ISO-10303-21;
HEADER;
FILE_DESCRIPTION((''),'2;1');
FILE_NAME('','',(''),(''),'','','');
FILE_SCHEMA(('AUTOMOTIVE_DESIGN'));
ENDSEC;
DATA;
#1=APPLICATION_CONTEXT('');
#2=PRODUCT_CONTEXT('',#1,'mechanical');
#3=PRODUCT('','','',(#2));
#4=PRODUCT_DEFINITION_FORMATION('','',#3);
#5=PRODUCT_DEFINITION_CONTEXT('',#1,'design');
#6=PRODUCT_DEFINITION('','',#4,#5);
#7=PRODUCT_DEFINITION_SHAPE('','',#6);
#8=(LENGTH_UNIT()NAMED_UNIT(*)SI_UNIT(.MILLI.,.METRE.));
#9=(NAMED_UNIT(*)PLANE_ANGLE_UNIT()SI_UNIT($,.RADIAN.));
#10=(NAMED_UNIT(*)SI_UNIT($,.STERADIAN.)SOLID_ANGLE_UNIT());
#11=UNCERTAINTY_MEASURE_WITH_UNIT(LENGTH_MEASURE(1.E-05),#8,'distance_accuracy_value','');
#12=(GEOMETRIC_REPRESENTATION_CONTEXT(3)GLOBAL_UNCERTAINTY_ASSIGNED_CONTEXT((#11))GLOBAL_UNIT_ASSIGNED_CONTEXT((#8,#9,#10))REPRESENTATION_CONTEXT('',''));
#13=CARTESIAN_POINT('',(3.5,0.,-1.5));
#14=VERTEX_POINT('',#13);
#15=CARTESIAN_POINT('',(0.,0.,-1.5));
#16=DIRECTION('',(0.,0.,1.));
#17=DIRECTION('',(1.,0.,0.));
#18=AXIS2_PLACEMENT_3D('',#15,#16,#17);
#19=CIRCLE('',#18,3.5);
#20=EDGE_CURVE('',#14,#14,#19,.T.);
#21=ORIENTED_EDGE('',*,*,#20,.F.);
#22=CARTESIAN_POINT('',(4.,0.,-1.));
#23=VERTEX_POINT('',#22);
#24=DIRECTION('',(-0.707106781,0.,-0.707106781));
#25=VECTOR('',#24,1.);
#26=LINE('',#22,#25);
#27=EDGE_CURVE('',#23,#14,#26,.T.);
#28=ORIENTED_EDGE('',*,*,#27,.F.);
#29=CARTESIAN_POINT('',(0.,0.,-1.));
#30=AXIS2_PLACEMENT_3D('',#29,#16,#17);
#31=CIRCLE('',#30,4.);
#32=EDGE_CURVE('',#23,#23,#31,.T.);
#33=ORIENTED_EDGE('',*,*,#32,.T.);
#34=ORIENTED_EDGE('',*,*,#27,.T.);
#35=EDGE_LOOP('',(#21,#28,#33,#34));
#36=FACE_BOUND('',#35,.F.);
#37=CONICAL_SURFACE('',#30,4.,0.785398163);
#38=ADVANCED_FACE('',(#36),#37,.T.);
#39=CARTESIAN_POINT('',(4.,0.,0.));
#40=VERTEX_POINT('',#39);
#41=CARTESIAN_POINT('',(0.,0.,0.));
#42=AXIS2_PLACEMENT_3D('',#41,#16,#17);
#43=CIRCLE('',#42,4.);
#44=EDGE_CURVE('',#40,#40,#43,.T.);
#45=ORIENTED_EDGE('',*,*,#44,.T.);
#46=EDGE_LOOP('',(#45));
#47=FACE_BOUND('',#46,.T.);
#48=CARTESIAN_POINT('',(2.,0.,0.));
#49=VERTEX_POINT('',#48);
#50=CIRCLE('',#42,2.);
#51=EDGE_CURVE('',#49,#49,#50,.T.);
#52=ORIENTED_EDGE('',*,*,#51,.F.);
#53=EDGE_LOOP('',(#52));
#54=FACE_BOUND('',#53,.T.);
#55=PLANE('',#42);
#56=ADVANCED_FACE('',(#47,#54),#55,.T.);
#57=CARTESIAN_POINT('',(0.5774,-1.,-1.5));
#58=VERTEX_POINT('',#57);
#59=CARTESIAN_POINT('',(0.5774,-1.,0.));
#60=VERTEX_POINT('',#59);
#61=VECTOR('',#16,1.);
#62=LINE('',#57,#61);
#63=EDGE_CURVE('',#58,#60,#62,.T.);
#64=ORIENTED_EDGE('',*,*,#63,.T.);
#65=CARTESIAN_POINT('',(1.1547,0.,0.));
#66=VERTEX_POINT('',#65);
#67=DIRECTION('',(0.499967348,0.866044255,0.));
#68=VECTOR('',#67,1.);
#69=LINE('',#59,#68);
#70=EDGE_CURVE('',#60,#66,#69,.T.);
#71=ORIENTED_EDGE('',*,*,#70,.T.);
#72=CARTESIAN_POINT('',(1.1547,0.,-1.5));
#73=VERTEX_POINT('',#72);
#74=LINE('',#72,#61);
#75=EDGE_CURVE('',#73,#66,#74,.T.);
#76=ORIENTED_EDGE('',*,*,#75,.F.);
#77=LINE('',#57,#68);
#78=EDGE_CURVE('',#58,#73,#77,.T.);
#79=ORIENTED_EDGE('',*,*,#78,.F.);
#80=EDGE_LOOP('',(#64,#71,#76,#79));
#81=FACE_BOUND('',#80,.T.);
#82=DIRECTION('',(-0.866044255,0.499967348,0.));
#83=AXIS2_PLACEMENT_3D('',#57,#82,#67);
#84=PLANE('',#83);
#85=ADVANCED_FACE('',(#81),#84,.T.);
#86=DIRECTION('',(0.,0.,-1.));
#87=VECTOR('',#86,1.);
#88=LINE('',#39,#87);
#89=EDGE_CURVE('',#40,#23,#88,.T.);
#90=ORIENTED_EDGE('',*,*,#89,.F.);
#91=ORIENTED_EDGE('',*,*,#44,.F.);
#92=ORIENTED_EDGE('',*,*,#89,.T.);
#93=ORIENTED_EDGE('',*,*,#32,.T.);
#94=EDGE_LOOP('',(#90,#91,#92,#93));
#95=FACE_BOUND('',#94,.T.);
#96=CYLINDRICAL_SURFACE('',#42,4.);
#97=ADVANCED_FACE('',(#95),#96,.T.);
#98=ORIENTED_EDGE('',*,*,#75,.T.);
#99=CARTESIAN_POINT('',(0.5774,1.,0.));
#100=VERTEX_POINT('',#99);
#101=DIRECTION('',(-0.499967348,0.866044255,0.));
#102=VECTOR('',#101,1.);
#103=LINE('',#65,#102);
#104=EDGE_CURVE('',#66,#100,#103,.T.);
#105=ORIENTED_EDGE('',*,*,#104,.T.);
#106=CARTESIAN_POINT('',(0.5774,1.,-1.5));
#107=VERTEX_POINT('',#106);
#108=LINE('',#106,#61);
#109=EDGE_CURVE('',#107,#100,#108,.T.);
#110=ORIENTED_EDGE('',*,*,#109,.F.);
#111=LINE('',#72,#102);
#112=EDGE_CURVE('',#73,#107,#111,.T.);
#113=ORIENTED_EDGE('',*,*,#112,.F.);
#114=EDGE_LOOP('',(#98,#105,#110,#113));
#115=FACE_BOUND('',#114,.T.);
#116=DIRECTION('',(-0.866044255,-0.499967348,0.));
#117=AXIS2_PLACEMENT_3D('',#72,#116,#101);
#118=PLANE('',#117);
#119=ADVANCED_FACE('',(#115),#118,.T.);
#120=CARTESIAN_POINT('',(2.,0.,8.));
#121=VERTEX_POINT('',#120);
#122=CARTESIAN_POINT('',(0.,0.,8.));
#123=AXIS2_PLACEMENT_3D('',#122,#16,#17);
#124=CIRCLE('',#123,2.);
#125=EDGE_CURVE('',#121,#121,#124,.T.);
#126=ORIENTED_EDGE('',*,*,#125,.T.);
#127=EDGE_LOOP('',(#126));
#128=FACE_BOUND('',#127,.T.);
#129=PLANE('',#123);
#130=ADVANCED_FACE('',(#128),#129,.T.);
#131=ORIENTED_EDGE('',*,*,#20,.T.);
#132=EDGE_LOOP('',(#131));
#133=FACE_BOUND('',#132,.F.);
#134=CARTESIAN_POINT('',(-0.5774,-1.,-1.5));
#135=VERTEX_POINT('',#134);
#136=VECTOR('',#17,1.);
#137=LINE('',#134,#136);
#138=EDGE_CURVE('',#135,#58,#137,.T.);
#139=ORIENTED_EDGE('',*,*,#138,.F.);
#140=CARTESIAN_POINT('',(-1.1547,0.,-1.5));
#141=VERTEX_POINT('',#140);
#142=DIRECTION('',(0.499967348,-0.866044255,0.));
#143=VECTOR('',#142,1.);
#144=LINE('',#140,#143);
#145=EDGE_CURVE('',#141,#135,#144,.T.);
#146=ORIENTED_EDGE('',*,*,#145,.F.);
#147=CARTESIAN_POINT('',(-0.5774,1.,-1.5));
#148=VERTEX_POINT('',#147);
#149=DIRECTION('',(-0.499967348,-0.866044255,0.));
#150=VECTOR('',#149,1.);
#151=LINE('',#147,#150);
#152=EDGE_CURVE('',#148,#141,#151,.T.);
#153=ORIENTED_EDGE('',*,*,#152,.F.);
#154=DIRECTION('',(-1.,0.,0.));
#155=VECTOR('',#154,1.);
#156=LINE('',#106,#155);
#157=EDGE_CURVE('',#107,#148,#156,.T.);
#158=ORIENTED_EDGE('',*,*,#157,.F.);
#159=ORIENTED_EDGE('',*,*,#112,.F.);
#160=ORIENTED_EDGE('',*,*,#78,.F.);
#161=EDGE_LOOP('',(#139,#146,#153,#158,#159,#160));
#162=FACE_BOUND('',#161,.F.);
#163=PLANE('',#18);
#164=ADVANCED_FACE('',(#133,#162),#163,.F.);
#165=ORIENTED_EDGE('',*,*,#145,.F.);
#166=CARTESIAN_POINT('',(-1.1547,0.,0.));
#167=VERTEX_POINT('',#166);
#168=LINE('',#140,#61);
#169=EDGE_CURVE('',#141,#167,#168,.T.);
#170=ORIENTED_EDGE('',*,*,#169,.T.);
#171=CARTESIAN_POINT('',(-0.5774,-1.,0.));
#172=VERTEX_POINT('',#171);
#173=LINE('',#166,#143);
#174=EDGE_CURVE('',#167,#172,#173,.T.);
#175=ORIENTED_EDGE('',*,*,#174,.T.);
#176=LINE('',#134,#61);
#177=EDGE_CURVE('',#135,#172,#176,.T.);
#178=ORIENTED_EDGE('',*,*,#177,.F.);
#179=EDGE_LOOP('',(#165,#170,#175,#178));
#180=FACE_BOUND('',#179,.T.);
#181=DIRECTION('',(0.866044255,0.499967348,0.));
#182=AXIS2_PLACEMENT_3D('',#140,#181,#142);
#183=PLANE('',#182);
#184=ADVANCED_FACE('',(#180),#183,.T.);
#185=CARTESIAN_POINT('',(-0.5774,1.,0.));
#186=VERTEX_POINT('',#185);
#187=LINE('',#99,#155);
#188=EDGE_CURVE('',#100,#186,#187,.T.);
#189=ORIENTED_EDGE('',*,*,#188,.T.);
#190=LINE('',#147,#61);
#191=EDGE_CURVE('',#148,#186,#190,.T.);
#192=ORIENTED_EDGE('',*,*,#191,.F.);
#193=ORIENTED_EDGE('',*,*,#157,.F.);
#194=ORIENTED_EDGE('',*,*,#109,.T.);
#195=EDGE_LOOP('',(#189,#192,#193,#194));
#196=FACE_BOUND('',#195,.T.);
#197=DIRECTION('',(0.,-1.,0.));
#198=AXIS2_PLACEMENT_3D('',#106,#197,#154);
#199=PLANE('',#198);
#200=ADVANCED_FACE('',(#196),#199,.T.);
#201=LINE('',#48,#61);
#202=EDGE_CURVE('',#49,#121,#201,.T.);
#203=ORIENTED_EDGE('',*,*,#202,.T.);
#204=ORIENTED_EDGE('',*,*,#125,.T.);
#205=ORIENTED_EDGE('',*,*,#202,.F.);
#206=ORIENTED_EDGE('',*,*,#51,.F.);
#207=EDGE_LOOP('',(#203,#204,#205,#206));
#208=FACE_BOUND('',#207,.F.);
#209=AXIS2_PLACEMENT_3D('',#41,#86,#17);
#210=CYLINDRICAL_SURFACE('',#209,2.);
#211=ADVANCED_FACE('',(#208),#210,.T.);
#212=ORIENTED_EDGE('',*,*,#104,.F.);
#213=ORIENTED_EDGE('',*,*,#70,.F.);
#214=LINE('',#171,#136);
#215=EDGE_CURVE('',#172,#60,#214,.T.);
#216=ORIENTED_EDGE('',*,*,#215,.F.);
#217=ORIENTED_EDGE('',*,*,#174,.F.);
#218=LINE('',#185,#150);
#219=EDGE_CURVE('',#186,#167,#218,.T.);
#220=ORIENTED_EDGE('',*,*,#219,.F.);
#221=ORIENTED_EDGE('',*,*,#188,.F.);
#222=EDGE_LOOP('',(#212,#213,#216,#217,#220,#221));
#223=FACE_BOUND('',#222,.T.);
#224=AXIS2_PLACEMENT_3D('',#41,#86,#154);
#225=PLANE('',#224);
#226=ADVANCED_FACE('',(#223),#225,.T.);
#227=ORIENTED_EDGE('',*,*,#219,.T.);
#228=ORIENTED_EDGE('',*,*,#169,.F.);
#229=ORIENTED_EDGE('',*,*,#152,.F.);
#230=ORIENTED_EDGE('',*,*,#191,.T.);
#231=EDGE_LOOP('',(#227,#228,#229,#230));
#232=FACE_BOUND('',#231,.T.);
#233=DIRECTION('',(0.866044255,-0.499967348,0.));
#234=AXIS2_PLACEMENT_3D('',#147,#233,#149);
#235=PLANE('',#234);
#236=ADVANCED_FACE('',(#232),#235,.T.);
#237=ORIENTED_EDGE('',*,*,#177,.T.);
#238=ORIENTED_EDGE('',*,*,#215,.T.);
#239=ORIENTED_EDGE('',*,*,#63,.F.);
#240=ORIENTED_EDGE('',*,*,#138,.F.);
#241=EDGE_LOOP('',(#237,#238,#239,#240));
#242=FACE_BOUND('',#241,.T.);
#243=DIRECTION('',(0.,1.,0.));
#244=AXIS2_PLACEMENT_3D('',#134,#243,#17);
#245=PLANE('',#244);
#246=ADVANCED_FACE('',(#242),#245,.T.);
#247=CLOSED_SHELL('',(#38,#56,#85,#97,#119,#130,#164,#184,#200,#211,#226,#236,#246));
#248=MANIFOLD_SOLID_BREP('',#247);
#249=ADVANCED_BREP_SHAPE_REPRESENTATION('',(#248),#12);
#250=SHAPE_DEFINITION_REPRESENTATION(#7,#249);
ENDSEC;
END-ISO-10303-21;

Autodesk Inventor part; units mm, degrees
ref_plane "YZ Plane" through (0, 0, 0) normal (1, 0, 0) x (0, 1, 0)
ref_plane "XZ Plane" through (0, 0, 0) normal (0, 1, 0) x (-1, 0, 0)
ref_plane "XY Plane" through (0, 0, 0) normal (0, 0, 1) x (1, 0, 0)
sketch "スケッチ1" plane through (0, 0, 0) normal (0, 0, 1) x (1, 0, 0)
  circle A0 centre (0, 0) radius 4
  circle A1 centre (0, 0) radius 2
  dimension "d0" = 8
  dimension "d1" = 4
extrude "押し出し1" add sketch "スケッチ1" against normal blind 1.5 contours A0 | A1
extrude "押し出し2" add sketch "スケッチ1" along normal blind 8 contours A1
sketch "スケッチ2" plane through (0, 0, -1.5) normal (0, 0, -1) x (-1, 0, 0)
  line L0 (-0.5774, 1) -> (0.5774, 1)
  line L1 (0.5774, 1) -> (1.1547, 0)
  line L2 (1.1547, 0) -> (0.5774, -1)
  line L3 (0.5774, -1) -> (-0.5774, -1)
  line L4 (-0.5774, -1) -> (-1.1547, 0)
  line L5 (-1.1547, 0) -> (-0.5774, 1)
  point P0 (0, 0)
  point P1 (0, 0)
  dimension "d6" = 2
extrude "押し出し3" cut sketch "スケッチ2" against normal blind 1.5
chamfer "面取り1" distance 0.5 angle 45 1 edges at (-4, 0, -1.5)
thread "ねじ1" size "M4x0.7" class "6g" standard "ANSI Metric M Profile" full length
properties part number "低頭ねじM4×8" material "鋼"
